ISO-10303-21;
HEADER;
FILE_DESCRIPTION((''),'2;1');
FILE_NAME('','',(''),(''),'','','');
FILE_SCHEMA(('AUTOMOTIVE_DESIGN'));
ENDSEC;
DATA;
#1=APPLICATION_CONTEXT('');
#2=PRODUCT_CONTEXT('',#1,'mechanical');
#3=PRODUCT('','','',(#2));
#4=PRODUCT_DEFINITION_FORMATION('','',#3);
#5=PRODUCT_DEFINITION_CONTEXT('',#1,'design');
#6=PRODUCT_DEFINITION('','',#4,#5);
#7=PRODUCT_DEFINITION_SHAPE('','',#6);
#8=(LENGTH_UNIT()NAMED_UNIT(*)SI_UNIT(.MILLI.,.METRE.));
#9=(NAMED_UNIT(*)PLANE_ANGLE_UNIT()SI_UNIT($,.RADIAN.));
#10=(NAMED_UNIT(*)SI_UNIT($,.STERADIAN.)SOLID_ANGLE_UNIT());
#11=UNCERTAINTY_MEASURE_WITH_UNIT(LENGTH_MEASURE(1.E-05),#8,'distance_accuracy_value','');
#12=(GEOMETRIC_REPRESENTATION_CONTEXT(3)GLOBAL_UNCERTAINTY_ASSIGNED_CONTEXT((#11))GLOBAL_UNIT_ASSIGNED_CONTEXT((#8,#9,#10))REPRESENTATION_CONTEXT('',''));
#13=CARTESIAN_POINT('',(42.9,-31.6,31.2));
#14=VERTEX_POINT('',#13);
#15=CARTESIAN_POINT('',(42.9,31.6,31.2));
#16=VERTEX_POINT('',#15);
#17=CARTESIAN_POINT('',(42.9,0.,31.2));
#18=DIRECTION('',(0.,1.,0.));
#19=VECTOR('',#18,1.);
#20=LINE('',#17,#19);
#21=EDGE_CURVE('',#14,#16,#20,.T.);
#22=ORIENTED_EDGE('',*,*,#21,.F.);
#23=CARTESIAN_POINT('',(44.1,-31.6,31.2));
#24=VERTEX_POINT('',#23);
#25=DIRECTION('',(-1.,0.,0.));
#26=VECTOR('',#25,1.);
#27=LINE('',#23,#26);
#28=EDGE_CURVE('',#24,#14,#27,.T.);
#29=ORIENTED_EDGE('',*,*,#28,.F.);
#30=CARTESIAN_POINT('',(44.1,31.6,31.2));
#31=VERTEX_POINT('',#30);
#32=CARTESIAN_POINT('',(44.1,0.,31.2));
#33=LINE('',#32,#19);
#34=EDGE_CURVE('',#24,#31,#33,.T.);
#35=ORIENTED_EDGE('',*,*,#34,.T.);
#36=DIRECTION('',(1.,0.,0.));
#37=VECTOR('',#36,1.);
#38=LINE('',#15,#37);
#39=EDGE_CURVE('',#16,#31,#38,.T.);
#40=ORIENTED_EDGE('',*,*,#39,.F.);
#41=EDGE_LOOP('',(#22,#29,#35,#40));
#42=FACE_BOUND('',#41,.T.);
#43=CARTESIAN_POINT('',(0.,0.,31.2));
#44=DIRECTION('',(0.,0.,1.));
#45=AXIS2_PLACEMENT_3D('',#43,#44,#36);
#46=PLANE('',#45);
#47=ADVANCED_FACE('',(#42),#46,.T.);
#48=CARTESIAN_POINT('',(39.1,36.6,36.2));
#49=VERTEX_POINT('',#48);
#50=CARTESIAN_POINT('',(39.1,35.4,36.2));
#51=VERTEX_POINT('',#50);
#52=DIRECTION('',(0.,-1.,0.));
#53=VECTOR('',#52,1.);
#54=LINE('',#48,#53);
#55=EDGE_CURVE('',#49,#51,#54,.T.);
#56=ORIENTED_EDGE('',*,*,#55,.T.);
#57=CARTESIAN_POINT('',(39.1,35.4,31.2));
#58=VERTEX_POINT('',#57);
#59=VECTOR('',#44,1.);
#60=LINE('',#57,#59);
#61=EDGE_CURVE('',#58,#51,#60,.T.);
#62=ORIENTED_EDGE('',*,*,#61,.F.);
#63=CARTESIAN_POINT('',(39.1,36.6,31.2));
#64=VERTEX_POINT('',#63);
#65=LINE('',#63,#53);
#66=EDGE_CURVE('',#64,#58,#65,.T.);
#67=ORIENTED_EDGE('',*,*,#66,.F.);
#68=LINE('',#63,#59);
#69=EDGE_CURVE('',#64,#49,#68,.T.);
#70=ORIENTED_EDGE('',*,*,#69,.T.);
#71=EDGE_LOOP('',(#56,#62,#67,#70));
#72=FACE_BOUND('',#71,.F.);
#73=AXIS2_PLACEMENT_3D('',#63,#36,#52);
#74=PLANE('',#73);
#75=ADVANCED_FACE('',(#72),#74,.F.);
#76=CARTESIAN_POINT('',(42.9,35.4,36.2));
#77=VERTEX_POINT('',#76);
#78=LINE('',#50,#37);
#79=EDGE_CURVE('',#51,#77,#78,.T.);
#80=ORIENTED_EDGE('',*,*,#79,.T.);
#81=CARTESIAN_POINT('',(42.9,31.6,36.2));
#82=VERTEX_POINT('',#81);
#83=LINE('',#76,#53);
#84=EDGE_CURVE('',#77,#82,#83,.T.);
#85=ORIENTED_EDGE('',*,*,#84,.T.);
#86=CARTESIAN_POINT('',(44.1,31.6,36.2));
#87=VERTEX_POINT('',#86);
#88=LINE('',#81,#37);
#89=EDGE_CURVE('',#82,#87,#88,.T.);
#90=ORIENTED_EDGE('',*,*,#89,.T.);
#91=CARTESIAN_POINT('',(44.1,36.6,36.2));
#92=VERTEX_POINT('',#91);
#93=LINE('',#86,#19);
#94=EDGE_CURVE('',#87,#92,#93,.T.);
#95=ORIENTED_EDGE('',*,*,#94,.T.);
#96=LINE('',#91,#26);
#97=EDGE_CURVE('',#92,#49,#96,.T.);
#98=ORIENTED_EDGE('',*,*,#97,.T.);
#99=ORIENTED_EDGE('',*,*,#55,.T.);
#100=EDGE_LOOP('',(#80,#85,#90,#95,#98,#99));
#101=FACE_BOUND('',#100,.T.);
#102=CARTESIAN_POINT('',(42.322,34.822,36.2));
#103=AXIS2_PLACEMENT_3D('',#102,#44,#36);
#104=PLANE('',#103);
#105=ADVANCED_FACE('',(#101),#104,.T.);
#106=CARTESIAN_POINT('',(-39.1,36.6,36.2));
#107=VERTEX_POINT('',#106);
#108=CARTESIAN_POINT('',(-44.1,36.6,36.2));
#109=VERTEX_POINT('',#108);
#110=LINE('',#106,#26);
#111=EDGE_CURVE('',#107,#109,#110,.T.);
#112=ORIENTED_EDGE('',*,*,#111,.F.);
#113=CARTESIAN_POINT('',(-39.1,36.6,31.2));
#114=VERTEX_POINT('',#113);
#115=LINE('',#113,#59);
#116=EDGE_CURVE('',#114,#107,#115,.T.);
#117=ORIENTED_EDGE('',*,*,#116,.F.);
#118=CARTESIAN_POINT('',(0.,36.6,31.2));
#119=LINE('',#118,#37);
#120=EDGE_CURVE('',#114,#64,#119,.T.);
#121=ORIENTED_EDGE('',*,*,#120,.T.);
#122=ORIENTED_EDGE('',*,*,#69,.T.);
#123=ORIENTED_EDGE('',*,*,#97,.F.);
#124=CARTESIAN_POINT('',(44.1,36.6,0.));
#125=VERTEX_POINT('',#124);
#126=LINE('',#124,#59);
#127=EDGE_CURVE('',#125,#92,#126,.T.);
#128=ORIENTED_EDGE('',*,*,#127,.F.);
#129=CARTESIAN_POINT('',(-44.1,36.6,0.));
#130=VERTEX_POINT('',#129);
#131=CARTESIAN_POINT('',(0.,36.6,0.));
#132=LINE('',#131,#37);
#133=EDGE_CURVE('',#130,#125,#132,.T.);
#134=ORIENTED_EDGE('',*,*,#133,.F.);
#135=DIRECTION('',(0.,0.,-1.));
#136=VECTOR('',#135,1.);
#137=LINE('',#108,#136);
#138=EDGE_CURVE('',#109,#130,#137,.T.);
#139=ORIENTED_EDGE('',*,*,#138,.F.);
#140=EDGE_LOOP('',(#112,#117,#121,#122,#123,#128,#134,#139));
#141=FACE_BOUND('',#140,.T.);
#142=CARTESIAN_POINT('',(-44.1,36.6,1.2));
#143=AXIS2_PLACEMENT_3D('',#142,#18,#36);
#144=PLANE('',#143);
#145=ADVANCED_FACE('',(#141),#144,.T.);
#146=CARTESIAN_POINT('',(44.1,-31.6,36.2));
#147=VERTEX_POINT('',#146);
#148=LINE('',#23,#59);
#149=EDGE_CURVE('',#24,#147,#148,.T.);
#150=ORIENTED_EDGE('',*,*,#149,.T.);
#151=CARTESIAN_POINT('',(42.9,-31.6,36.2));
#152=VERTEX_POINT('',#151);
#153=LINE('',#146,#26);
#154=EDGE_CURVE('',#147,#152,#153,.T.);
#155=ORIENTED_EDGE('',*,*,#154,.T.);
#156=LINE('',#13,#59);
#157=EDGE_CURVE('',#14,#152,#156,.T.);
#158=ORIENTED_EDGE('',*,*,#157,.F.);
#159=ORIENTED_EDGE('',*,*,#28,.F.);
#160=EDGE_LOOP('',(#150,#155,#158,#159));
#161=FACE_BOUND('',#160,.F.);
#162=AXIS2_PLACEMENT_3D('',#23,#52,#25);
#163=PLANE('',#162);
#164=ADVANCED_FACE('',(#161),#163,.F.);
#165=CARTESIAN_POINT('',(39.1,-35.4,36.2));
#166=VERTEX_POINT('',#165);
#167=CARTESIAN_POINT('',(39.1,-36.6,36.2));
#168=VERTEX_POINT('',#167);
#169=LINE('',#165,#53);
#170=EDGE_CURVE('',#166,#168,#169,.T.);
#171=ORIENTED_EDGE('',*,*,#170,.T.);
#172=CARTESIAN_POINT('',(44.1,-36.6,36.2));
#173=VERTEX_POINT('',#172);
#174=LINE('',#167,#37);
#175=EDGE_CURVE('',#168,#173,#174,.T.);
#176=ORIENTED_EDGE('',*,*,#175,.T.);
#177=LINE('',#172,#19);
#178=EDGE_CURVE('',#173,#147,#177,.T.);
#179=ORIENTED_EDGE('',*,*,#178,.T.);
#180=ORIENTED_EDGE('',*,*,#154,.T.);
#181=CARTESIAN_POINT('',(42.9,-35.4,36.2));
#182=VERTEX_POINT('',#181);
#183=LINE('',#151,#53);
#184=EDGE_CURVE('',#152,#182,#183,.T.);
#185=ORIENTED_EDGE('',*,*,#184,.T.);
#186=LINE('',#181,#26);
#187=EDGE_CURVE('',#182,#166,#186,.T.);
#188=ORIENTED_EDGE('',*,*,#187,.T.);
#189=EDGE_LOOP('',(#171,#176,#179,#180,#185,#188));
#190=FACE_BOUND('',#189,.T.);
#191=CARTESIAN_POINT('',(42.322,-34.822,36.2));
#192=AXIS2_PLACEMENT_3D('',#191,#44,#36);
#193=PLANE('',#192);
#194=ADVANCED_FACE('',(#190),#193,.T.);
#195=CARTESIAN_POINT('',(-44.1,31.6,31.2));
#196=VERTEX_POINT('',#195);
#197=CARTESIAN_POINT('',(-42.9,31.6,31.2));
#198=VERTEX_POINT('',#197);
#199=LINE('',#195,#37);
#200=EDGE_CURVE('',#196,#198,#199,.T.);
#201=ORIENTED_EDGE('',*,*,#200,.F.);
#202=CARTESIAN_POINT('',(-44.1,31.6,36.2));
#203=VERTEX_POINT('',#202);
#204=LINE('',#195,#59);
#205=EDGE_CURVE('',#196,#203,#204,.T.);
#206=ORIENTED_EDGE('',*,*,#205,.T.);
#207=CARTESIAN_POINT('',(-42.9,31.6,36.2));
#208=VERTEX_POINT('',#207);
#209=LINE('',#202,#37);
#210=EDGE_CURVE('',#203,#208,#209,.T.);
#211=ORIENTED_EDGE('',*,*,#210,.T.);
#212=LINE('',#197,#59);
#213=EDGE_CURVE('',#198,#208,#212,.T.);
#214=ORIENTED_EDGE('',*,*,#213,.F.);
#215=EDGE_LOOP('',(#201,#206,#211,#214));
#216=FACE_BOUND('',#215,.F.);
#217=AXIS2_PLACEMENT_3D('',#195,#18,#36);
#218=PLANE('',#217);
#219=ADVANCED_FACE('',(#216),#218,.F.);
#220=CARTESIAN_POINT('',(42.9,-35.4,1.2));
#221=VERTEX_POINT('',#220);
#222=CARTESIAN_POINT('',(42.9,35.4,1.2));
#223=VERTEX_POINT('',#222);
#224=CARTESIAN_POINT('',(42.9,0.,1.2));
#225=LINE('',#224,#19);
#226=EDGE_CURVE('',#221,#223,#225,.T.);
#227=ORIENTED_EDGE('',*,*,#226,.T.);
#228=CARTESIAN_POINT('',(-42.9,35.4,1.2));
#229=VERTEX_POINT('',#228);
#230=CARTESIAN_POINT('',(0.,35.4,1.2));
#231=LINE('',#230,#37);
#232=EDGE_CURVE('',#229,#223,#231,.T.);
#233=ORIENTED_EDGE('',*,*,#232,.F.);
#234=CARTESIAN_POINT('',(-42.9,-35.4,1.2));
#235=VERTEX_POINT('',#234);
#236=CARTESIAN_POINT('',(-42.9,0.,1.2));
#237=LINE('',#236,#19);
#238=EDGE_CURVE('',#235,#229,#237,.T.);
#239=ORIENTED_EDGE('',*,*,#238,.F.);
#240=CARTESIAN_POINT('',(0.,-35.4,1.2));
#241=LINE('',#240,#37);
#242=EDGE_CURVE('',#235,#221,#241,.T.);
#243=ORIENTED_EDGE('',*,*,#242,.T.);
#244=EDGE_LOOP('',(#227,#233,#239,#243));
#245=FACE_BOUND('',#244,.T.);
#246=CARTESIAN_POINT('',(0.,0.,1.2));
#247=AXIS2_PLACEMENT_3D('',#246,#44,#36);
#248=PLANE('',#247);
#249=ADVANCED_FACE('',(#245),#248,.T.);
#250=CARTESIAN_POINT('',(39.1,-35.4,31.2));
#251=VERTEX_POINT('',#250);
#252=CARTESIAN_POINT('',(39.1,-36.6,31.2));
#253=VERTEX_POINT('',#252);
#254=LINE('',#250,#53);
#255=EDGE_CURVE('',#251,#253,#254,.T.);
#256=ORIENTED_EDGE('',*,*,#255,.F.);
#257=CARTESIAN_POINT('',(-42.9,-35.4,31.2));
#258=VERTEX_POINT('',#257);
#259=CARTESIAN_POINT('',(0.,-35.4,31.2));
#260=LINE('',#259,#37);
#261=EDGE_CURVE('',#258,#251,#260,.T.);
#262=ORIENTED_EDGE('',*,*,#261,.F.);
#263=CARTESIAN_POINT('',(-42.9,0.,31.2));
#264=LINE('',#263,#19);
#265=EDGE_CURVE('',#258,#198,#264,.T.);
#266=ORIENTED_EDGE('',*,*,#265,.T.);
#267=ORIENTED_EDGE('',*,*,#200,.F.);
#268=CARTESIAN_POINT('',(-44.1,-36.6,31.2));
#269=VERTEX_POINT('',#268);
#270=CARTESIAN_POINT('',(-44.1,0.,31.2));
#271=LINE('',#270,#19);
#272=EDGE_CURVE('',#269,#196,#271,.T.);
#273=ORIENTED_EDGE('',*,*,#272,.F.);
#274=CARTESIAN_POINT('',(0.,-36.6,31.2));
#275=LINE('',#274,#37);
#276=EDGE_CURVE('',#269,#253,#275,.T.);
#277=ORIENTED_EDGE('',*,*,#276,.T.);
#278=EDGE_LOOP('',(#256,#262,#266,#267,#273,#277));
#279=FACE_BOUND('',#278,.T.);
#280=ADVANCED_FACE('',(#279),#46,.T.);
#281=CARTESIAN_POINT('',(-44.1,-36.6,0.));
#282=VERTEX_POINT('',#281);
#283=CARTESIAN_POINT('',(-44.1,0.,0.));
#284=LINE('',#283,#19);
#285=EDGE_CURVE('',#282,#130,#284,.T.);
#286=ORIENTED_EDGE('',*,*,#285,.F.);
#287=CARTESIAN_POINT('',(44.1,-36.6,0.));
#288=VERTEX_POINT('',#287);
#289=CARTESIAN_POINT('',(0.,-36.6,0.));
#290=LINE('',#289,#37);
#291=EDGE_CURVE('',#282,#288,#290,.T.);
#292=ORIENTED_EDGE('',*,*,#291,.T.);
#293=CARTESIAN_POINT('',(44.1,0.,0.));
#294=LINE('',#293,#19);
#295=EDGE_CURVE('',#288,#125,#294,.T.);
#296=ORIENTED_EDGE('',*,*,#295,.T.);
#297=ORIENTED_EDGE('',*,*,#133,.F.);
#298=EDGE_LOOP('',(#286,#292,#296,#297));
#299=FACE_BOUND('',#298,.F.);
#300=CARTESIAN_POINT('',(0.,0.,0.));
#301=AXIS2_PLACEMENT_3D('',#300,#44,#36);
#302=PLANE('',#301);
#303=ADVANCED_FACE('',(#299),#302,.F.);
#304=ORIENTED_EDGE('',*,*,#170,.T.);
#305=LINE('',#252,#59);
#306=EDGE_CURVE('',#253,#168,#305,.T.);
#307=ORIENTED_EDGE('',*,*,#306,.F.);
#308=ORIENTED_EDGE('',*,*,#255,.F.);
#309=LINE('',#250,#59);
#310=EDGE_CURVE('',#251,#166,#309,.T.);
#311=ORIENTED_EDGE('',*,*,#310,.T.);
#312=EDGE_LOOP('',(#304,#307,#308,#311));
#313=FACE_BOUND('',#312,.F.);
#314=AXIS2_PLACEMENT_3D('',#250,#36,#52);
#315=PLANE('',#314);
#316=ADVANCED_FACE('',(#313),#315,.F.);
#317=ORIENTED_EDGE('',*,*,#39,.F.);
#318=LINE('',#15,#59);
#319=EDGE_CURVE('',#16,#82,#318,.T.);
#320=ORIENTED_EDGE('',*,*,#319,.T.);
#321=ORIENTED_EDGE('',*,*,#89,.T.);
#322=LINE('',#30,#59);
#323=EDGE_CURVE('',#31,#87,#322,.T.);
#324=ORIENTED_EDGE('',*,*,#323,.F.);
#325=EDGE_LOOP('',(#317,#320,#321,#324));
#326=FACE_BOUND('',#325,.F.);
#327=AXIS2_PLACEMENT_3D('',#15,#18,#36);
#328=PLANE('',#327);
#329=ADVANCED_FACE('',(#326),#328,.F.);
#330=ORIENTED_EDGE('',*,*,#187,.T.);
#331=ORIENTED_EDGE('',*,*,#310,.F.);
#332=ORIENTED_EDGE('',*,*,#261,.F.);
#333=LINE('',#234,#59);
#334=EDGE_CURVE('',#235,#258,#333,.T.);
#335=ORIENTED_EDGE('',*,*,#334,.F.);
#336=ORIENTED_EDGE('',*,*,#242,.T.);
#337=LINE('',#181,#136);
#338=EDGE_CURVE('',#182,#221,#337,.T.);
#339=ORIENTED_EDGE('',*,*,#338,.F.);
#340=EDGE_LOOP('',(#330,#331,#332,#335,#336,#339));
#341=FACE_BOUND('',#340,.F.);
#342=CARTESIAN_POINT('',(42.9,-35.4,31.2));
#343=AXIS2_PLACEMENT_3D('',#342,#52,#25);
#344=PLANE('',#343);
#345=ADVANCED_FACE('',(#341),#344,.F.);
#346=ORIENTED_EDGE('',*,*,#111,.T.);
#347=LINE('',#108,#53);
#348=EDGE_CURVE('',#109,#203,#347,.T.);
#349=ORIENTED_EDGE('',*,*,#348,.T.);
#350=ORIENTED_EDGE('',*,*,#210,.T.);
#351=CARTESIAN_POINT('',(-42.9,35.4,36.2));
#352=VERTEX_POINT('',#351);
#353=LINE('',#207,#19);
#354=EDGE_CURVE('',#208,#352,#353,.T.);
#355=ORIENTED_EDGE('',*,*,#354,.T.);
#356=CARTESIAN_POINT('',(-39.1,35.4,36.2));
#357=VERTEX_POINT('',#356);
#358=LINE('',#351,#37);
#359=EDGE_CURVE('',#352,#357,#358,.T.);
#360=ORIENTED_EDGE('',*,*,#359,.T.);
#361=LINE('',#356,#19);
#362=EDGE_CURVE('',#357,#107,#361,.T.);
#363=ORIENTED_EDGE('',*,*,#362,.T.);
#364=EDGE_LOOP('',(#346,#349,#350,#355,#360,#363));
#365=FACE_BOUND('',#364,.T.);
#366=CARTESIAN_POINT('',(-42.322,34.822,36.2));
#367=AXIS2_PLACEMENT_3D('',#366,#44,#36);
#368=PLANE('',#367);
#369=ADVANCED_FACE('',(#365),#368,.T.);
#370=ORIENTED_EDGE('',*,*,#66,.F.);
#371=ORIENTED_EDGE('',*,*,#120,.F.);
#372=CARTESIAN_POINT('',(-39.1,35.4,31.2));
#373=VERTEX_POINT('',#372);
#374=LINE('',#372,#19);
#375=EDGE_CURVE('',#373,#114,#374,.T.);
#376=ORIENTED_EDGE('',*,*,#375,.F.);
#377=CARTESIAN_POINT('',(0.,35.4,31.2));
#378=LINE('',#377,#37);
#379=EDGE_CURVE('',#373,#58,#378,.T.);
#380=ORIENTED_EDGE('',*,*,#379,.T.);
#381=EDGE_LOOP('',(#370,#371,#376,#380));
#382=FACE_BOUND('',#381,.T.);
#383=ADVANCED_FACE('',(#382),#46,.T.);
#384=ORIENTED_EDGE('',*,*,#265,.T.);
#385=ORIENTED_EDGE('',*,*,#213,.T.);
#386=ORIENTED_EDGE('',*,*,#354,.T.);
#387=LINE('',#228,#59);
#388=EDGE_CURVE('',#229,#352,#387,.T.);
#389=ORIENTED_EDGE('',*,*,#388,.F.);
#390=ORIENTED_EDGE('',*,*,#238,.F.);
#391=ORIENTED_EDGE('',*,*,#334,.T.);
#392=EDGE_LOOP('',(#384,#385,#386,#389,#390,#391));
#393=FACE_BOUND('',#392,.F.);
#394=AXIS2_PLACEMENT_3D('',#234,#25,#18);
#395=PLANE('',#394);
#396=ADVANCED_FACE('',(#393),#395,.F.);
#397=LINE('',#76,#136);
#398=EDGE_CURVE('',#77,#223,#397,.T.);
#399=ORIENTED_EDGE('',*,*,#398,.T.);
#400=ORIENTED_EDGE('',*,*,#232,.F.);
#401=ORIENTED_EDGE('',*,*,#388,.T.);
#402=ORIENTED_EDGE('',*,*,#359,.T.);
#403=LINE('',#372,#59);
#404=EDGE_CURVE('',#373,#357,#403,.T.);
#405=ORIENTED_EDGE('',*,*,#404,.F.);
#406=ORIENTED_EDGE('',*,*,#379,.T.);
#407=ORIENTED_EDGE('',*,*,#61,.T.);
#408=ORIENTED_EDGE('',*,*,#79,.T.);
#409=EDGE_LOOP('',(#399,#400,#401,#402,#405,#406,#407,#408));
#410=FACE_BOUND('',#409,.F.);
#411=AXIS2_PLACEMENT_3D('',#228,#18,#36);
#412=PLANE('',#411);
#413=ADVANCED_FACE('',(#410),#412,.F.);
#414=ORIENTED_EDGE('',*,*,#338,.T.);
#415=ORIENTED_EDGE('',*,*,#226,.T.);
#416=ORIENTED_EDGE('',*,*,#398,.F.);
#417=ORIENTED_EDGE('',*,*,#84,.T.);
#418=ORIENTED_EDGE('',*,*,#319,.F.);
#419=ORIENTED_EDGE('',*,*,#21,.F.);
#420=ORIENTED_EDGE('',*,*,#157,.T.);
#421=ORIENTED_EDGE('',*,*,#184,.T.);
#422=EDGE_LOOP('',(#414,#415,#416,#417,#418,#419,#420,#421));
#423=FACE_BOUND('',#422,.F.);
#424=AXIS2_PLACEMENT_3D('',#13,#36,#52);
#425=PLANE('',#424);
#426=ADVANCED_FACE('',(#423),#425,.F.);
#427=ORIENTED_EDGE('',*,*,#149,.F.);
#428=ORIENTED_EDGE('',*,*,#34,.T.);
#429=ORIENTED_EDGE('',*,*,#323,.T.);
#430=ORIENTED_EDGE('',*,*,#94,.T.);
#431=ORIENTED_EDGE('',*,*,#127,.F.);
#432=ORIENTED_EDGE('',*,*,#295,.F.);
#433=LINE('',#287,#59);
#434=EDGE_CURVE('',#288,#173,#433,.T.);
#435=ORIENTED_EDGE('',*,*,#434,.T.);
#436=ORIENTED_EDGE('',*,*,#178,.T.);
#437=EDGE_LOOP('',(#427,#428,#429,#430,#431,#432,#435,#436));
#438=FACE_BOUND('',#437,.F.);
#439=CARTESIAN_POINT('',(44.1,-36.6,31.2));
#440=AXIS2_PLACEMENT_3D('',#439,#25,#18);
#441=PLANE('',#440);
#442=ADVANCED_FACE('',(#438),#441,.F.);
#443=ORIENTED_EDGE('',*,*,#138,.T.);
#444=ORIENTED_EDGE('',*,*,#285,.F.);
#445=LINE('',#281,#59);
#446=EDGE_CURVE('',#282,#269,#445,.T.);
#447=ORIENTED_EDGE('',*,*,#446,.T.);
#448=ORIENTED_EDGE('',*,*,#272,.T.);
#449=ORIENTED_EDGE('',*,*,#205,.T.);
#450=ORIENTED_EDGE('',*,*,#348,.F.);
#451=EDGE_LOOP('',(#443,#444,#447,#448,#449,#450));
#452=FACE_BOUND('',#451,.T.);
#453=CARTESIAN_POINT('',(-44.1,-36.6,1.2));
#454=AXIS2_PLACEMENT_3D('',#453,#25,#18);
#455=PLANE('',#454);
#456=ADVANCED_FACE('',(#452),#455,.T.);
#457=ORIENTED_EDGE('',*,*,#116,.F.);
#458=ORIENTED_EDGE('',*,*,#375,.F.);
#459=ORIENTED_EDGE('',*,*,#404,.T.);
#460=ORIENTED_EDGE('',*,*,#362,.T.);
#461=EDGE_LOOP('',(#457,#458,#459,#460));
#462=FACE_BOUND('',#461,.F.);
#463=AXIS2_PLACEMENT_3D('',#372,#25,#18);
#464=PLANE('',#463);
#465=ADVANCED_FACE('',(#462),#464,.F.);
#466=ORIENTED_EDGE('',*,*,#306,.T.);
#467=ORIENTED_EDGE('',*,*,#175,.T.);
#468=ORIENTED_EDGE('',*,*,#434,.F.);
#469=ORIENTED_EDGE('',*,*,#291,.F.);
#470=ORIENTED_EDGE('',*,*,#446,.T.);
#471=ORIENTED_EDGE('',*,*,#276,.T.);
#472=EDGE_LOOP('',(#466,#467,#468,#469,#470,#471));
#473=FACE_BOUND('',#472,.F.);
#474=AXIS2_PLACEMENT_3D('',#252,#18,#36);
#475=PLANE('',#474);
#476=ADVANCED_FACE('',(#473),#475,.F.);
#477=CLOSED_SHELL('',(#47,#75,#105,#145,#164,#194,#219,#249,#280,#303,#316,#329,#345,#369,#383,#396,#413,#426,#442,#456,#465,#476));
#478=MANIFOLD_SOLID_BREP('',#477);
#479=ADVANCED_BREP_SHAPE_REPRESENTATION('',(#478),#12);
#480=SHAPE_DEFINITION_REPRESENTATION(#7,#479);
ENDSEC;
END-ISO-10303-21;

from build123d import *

# Parameters (mm, degrees)
F0_W     = 88.2
F0_H     = 73.2
F1_DEPTH = 1.2
F2_W     = 88.2
F2_H     = 73.2
F2_W_2   = 85.8
F2_H_2   = 70.8
F3_DEPTH = 30
F5_DEPTH = 5


with BuildPart() as f1:
    # F0 (on Top) → F1 (new body)
    with BuildSketch(Plane.XY):
        Rectangle(F0_W, F0_H)
    extrude(amount=F1_DEPTH)

    # F2 (on face) → F3 (join)
    with BuildSketch(Plane.XY.offset(1.2)):
        Rectangle(F2_W, F2_H)
        Rectangle(F2_W_2, F2_H_2, mode=Mode.SUBTRACT)
    extrude(amount=F3_DEPTH)

    # F4 (on face) → F5 (join)
    with BuildSketch(Plane.XY.offset(31.2)):
        Polygon((39.1, -36.6), (44.1, -36.6), (44.1, -35.4), (44.1, -31.6), (42.9, -31.6), (42.9, -35.4), (39.1, -35.4), align=None)
        Polygon((42.9, 31.6), (44.1, 31.6), (44.1, 35.4), (44.1, 36.6), (39.1, 36.6), (39.1, 35.4), (42.9, 35.4), align=None)
        Polygon((-44.1, 35.4), (-44.1, 31.6), (-42.9, 31.6), (-42.9, 35.4), (-39.1, 35.4), (-39.1, 36.6), (-44.1, 36.6), align=None)
    extrude(amount=F5_DEPTH)


solid = f1.part
